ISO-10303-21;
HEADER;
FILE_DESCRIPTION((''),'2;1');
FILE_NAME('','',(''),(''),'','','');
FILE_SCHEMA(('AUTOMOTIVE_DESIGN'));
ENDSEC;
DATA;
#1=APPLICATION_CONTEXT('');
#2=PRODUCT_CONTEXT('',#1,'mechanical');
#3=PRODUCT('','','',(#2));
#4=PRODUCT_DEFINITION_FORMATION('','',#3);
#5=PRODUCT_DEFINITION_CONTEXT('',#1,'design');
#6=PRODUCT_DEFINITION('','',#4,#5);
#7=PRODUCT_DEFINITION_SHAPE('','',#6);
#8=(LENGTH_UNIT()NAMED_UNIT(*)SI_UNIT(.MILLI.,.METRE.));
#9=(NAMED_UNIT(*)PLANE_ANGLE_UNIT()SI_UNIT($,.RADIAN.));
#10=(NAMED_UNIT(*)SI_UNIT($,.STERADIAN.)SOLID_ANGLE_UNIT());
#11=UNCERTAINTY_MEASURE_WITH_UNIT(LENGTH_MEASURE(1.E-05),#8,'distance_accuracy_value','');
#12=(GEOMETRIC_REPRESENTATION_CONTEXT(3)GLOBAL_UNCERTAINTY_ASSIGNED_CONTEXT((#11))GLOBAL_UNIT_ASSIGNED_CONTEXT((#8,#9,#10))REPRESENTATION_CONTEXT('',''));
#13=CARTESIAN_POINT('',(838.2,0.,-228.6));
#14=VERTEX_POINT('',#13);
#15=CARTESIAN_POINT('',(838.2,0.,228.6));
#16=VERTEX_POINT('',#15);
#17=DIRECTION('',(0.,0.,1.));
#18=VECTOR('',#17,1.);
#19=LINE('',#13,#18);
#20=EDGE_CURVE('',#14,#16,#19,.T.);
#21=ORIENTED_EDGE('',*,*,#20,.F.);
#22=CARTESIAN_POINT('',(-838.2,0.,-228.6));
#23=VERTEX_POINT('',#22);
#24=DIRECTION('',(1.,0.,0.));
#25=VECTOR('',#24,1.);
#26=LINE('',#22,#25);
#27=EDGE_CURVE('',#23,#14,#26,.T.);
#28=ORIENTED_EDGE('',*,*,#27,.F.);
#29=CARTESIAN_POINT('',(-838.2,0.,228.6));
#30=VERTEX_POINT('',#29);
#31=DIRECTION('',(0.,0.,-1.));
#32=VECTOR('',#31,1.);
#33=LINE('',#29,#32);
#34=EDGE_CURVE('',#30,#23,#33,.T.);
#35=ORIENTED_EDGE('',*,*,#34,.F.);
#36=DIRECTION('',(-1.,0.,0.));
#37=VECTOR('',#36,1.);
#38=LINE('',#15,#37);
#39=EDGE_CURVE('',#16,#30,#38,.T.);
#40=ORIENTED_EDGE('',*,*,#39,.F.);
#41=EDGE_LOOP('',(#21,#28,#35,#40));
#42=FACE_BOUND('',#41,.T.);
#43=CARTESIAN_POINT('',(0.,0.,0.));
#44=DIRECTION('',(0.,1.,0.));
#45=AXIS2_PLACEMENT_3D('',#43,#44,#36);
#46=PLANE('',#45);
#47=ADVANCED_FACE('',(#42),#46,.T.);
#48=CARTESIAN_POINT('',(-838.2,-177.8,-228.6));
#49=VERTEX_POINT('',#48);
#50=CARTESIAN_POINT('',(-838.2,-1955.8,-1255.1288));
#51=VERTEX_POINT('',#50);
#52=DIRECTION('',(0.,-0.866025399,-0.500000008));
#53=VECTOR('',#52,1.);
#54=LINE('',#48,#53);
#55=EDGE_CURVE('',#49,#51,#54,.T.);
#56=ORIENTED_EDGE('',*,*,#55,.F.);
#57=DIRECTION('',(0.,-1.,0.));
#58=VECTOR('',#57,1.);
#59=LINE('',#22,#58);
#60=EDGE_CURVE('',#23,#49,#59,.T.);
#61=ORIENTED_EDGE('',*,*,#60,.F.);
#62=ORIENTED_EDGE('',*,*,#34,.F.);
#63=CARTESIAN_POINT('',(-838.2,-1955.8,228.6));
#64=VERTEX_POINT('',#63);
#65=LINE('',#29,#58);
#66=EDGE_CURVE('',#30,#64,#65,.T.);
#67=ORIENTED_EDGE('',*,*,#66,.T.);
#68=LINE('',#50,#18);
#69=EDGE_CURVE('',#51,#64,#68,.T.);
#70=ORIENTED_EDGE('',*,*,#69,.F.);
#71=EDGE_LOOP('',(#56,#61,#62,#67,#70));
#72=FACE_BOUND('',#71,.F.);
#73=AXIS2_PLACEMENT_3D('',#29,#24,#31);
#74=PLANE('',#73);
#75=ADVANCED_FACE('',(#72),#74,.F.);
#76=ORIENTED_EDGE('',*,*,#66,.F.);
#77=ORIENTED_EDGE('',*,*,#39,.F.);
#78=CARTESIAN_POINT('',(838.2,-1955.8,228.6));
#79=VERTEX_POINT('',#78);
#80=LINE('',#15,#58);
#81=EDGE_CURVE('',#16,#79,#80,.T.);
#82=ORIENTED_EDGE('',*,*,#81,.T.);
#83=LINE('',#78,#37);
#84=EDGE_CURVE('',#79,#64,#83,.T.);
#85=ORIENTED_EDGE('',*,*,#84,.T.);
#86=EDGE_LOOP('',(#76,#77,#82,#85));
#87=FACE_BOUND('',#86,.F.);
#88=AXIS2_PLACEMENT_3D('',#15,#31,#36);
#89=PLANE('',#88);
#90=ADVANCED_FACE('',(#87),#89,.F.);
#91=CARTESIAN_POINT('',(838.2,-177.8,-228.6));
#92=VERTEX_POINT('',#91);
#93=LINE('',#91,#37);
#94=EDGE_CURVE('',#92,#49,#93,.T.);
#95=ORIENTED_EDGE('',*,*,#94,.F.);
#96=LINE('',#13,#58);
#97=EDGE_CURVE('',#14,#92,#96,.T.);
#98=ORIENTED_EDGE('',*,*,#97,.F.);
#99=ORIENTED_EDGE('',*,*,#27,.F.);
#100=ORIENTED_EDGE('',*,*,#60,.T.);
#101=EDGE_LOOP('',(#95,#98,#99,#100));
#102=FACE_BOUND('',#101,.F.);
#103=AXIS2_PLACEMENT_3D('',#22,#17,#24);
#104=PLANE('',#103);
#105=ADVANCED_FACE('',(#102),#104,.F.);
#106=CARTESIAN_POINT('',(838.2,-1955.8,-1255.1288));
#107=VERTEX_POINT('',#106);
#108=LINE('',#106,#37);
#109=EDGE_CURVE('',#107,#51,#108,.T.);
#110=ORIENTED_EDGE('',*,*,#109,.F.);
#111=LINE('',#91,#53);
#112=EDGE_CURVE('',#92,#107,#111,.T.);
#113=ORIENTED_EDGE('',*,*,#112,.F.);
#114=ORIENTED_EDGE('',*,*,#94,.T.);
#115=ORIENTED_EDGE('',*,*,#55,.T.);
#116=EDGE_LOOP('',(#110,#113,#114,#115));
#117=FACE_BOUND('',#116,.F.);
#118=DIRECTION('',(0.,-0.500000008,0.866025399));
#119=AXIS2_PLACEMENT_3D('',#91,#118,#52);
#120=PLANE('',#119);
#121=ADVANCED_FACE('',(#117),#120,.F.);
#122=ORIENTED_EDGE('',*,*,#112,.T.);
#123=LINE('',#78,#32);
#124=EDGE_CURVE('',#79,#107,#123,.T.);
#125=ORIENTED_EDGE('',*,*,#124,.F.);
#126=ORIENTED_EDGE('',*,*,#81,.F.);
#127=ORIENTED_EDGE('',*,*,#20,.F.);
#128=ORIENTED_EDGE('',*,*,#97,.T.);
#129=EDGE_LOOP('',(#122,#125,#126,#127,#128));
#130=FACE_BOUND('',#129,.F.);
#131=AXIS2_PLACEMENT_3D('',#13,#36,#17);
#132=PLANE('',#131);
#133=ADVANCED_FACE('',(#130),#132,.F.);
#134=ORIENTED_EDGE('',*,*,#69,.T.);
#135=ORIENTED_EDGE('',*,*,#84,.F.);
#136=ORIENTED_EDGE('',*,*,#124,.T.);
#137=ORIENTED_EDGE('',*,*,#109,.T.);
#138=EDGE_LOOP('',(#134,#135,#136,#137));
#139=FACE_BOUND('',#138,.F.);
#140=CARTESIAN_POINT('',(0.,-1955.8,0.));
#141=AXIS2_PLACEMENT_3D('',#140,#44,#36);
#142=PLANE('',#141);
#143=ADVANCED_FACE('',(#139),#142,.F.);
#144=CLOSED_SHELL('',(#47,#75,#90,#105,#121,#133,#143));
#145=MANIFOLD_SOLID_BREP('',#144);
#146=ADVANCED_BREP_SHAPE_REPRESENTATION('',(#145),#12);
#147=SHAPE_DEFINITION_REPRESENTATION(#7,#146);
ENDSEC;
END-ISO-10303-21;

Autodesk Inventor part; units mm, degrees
ref_plane "YZ Plane" through (0, 0, 0) normal (1, 0, 0) x (0, 1, 0)
ref_plane "XZ Plane" through (0, 0, 0) normal (0, 1, 0) x (-1, 0, 0)
ref_plane "XY Plane" through (0, 0, 0) normal (0, 0, 1) x (1, 0, 0)
sketch "Sketch1" plane through (0, 0, 0) normal (0, 1, 0) x (-1, 0, 0)
  line L0 (-838.2, 228.6) -> (838.2, 228.6)
  line L1 (838.2, 228.6) -> (838.2, -228.6)
  line L2 (838.2, -228.6) -> (-838.2, -228.6)
  line L3 (-838.2, -228.6) -> (-838.2, 228.6)
  line L4 (-838.2, 228.6) -> (838.2, -228.6) construction
  line L5 (838.2, 228.6) -> (-838.2, -228.6) construction
  point P0 (0, 0)
  dimension "d0" = 1676.4
  dimension "d1" = 457.2
extrude "Extrusion1" add sketch "Sketch1" against normal blind 1955.8
sketch "Sketch2" plane through (838.2, 0, 228.6) normal (1, 0, 0) x (0, 0, -1)
  line L0 (457.2, -177.8) -> (1483.7288, -1955.8)
  line L1 (457.2, -1955.8) -> (0, -1955.8) projected
  line L2 (1483.7288, -1955.8) -> (457.2, -1955.8)
  line L3 (457.2, -1955.8) -> (457.2, -177.8)
  line L4 (0, 0) -> (457.2, 0) projected
  line L5 (457.2, 0) -> (457.2, -1955.8) projected
  point P0 (228.6, 0)
  dimension "d4" = 177.8
  dimension "d5" = 30
  dimension "d6" = 0
extrude "Extrusion2" add sketch "Sketch2" against normal up to surface (1676.4 mm away)
properties part number "Side near railing 1" material "Concrete"
